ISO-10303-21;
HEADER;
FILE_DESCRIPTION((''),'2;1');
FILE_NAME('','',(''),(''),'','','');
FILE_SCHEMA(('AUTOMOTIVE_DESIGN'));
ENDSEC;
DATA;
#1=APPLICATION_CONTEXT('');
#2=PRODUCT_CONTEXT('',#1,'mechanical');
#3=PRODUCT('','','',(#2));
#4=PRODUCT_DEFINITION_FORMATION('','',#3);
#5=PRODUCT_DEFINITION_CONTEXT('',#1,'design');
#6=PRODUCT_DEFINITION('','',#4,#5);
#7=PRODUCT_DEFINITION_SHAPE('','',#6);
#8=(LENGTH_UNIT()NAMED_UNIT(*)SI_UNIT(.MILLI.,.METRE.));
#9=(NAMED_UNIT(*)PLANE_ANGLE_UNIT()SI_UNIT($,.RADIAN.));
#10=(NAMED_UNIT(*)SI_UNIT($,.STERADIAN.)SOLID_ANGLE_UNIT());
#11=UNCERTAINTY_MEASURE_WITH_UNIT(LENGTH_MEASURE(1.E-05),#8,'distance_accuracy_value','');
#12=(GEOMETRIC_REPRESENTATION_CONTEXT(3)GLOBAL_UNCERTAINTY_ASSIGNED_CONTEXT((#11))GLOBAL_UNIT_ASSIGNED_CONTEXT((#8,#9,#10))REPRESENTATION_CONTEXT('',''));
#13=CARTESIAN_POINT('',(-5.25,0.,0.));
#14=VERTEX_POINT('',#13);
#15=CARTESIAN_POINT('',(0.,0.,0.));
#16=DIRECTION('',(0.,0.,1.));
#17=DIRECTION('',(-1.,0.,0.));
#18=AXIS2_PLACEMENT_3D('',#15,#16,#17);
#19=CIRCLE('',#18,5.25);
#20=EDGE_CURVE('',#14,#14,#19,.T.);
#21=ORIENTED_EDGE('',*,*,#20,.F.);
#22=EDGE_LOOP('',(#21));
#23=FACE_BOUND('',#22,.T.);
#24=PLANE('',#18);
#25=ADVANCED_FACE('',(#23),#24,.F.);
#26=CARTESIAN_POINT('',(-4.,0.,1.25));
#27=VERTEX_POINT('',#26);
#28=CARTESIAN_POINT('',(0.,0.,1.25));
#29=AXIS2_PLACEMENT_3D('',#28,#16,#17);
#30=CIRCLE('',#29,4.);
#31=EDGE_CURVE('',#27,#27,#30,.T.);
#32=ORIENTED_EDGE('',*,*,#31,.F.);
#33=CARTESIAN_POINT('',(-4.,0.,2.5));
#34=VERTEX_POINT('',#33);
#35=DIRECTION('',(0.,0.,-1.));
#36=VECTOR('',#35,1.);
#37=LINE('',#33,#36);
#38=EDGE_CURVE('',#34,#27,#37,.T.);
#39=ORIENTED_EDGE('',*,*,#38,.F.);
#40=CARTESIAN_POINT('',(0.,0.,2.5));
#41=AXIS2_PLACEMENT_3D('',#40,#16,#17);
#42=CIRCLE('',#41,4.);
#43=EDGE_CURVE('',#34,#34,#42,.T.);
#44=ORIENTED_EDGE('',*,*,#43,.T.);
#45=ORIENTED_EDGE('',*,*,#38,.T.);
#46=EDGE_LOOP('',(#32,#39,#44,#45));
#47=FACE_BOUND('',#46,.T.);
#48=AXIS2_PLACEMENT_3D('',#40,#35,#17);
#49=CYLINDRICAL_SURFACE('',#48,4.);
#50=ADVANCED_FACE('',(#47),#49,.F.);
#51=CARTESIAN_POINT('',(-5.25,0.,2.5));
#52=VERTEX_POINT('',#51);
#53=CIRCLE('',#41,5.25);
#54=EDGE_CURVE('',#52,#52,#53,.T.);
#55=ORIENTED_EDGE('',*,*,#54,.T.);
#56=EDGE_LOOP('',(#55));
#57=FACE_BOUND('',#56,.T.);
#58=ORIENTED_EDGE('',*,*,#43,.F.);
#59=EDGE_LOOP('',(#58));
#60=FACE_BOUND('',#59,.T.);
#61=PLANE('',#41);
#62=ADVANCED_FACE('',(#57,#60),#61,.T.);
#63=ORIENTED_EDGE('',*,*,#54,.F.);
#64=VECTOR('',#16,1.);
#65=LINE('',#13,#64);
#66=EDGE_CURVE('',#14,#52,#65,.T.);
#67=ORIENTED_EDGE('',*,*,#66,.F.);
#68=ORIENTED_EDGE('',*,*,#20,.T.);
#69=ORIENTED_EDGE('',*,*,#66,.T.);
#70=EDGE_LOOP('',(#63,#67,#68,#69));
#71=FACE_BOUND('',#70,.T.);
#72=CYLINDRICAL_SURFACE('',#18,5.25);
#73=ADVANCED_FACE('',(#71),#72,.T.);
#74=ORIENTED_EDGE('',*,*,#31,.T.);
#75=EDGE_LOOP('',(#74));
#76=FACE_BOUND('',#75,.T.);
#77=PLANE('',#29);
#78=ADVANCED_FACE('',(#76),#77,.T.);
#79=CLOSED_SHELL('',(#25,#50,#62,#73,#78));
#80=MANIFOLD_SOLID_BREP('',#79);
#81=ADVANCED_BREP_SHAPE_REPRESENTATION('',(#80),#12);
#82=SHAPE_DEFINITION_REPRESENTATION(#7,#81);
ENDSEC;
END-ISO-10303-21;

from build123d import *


with BuildPart() as part:
    # Sketch → Revolution (revolve)
    with BuildSketch(Plane.XZ):
        Polygon((0, 0), (-5.25, 0), (-5.25, 2.5), (-4, 2.5), (-4, 1.25), (0, 1.25), align=None)
    revolve(axis=Axis((0, 0, 0), (0, 0, 1)))


solid = part.part
